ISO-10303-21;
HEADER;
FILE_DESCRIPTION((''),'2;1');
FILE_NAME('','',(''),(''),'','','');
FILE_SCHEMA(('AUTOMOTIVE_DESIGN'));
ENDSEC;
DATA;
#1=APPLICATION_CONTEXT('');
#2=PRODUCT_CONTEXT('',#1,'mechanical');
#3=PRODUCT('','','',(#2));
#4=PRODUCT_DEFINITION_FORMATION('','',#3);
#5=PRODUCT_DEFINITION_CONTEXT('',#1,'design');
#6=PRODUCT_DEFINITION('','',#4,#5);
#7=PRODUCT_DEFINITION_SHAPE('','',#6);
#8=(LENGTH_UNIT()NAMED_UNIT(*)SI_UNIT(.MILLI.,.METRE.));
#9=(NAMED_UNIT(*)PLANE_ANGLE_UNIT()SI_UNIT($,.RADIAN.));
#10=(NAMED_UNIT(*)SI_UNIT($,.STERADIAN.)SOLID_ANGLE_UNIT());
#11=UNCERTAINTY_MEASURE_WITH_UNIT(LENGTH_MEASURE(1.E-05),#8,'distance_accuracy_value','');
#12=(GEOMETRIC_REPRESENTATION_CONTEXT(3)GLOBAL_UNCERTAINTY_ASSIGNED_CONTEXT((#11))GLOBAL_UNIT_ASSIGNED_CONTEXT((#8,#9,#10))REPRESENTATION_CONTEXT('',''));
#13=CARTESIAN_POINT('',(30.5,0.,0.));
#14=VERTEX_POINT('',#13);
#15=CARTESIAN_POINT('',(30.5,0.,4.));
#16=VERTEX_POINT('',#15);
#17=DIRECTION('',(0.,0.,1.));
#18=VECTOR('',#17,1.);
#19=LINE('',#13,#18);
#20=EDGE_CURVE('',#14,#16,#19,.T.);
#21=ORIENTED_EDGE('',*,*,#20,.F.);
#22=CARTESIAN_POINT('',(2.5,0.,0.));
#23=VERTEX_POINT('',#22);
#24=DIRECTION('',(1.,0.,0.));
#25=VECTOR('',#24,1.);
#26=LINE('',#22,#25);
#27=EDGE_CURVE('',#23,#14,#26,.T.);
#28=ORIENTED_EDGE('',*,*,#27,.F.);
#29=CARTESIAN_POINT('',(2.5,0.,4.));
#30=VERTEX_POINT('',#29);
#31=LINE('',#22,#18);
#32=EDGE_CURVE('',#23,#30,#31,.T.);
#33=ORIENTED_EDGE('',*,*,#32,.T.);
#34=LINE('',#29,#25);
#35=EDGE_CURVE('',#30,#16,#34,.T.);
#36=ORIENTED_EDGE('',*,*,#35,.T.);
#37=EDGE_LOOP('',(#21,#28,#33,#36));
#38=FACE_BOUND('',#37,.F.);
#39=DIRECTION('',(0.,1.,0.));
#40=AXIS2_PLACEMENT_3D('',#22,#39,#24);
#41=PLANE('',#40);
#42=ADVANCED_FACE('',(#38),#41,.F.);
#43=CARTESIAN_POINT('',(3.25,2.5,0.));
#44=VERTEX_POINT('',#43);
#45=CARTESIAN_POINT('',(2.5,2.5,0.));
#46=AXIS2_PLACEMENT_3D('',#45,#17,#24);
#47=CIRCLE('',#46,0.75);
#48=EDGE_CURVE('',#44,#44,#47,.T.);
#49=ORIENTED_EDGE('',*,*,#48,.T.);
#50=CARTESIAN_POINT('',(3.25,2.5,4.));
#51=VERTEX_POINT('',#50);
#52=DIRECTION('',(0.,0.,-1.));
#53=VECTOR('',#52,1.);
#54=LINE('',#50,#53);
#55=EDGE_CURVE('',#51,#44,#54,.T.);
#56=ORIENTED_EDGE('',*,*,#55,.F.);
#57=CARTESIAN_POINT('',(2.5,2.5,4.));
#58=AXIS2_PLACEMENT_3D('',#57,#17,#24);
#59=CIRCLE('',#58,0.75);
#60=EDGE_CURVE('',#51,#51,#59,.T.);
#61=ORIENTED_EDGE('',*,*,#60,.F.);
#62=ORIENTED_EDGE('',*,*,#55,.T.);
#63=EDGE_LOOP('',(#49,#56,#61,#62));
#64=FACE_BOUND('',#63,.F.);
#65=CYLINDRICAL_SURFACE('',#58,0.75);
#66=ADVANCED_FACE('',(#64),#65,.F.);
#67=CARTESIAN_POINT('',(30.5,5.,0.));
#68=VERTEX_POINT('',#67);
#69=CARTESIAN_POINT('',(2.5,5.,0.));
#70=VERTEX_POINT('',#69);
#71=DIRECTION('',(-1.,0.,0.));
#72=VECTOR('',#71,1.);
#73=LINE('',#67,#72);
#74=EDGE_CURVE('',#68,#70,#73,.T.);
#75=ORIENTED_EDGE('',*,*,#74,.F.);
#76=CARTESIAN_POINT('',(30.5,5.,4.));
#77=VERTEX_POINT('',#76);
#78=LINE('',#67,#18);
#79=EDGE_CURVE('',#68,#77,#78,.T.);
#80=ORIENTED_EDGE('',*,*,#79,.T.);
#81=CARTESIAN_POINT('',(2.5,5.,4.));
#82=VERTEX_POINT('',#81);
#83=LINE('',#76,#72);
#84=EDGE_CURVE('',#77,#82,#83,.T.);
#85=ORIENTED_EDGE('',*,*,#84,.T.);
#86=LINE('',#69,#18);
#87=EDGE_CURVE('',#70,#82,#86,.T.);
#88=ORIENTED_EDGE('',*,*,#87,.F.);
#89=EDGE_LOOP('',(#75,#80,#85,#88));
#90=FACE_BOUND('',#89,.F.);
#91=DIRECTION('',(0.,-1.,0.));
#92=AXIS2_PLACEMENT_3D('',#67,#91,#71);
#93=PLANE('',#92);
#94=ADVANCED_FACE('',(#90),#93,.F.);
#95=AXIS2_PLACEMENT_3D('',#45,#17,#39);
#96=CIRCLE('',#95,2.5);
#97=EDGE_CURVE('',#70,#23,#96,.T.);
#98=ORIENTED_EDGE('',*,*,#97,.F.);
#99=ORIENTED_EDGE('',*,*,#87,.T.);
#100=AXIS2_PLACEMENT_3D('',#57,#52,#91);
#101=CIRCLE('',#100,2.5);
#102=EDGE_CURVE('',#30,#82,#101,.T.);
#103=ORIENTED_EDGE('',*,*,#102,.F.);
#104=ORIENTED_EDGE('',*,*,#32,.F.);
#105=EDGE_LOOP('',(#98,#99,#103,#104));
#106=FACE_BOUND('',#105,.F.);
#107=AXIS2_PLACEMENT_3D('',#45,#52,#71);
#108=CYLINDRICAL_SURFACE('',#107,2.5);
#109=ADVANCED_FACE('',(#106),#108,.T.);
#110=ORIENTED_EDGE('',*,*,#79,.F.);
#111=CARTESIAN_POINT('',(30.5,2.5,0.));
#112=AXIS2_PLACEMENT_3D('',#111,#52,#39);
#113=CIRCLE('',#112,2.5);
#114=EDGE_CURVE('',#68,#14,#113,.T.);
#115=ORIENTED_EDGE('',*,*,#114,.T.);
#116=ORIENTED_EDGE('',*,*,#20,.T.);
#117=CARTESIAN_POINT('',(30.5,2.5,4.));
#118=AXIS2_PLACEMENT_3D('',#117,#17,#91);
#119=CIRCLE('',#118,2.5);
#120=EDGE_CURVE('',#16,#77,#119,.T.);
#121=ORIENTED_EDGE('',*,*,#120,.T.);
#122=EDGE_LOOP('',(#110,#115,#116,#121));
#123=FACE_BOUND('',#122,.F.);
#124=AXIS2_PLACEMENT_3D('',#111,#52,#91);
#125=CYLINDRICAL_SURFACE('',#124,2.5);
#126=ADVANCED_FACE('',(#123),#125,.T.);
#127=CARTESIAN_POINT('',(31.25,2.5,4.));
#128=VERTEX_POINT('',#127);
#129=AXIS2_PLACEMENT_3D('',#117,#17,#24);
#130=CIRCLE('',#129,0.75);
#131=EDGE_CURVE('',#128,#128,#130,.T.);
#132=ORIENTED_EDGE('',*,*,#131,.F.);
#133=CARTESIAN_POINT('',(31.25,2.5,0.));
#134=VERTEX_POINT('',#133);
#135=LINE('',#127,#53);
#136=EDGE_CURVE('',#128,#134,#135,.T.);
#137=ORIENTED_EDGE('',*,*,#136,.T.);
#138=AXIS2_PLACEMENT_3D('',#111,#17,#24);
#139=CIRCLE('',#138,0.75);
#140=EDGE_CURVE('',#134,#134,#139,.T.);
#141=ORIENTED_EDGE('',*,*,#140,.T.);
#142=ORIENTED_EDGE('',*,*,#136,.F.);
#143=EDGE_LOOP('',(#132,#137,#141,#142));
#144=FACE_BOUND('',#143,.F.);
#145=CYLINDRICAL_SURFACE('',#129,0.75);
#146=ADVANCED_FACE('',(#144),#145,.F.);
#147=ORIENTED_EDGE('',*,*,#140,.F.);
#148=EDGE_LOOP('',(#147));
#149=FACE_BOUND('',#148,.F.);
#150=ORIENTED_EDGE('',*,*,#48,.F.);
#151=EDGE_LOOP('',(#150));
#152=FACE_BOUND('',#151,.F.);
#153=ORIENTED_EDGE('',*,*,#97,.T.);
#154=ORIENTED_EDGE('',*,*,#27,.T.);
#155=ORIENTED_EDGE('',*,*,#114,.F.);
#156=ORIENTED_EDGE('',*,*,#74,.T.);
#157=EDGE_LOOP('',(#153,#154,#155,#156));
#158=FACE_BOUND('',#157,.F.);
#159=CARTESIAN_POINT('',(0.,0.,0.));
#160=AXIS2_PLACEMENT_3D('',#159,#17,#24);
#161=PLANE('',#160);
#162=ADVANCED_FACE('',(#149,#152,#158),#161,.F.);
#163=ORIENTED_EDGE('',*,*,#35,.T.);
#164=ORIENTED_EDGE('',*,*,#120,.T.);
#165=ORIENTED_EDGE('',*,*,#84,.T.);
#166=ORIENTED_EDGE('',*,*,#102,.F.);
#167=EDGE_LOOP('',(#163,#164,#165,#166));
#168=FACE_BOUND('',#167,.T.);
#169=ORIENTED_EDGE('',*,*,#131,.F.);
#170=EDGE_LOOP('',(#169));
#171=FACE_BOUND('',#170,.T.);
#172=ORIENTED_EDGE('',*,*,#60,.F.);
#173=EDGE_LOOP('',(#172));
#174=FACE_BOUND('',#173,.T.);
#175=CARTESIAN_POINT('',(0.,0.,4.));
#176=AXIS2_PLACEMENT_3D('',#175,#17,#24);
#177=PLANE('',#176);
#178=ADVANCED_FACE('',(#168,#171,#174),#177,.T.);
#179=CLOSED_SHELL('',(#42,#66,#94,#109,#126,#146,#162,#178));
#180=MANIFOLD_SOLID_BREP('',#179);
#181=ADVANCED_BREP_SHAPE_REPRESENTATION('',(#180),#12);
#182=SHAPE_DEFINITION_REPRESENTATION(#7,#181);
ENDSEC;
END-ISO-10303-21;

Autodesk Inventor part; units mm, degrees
ref_plane "YZ Plane" through (0, 0, 0) normal (1, 0, 0) x (0, 1, 0)
ref_plane "XZ Plane" through (0, 0, 0) normal (0, 1, 0) x (-1, 0, 0)
ref_plane "XY Plane" through (0, 0, 0) normal (0, 0, 1) x (1, 0, 0)
sketch "Skizze1" plane through (0, 0, 0) normal (0, 0, 1) x (1, 0, 0)
  line L0 (2.5, 0) -> (30.5, 0)
  line L1 (33, 2.5) -> (33, 2.5)
  line L2 (30.5, 5) -> (2.5, 5)
  line L3 (0, 2.5) -> (0, 2.5)
  arc A0 (2.5, 5) -> (0, 2.5) centre (2.5, 2.5) ccw
  arc A1 (0, 2.5) -> (2.5, 0) centre (2.5, 2.5) ccw
  arc A2 (33, 2.5) -> (30.5, 5) centre (30.5, 2.5) ccw
  arc A3 (30.5, 0) -> (33, 2.5) centre (30.5, 2.5) ccw
  point P0 (0, 0)
  point P1 (33, 5)
  point P2 (0, 5)
  dimension "d0" = 33
  dimension "d9" = 2.5
  dimension "d19" = 5
extrude "Extrusion2" add sketch "Skizze1" along normal blind 4
sketch "Skizze2" plane through (0, 0, 4) normal (0, 0, 1) x (1, 0, 0)
  arc A0 (2.5, 5) -> (2.5, 0) centre (2.5, 2.5) ccw projected
  circle A1 centre (2.5, 2.5) radius 0.75
  arc A2 (30.5, 0) -> (30.5, 5) centre (30.5, 2.5) ccw projected
  circle A3 centre (30.5, 2.5) radius 0.75
  point P0 (0, 0)
  dimension "d15" = 1.5
  dimension "d16" = 1.5
extrude "Extrusion3" cut sketch "Skizze2" against normal blind 4
properties part number "Klemme_Hebel_Entstück"
